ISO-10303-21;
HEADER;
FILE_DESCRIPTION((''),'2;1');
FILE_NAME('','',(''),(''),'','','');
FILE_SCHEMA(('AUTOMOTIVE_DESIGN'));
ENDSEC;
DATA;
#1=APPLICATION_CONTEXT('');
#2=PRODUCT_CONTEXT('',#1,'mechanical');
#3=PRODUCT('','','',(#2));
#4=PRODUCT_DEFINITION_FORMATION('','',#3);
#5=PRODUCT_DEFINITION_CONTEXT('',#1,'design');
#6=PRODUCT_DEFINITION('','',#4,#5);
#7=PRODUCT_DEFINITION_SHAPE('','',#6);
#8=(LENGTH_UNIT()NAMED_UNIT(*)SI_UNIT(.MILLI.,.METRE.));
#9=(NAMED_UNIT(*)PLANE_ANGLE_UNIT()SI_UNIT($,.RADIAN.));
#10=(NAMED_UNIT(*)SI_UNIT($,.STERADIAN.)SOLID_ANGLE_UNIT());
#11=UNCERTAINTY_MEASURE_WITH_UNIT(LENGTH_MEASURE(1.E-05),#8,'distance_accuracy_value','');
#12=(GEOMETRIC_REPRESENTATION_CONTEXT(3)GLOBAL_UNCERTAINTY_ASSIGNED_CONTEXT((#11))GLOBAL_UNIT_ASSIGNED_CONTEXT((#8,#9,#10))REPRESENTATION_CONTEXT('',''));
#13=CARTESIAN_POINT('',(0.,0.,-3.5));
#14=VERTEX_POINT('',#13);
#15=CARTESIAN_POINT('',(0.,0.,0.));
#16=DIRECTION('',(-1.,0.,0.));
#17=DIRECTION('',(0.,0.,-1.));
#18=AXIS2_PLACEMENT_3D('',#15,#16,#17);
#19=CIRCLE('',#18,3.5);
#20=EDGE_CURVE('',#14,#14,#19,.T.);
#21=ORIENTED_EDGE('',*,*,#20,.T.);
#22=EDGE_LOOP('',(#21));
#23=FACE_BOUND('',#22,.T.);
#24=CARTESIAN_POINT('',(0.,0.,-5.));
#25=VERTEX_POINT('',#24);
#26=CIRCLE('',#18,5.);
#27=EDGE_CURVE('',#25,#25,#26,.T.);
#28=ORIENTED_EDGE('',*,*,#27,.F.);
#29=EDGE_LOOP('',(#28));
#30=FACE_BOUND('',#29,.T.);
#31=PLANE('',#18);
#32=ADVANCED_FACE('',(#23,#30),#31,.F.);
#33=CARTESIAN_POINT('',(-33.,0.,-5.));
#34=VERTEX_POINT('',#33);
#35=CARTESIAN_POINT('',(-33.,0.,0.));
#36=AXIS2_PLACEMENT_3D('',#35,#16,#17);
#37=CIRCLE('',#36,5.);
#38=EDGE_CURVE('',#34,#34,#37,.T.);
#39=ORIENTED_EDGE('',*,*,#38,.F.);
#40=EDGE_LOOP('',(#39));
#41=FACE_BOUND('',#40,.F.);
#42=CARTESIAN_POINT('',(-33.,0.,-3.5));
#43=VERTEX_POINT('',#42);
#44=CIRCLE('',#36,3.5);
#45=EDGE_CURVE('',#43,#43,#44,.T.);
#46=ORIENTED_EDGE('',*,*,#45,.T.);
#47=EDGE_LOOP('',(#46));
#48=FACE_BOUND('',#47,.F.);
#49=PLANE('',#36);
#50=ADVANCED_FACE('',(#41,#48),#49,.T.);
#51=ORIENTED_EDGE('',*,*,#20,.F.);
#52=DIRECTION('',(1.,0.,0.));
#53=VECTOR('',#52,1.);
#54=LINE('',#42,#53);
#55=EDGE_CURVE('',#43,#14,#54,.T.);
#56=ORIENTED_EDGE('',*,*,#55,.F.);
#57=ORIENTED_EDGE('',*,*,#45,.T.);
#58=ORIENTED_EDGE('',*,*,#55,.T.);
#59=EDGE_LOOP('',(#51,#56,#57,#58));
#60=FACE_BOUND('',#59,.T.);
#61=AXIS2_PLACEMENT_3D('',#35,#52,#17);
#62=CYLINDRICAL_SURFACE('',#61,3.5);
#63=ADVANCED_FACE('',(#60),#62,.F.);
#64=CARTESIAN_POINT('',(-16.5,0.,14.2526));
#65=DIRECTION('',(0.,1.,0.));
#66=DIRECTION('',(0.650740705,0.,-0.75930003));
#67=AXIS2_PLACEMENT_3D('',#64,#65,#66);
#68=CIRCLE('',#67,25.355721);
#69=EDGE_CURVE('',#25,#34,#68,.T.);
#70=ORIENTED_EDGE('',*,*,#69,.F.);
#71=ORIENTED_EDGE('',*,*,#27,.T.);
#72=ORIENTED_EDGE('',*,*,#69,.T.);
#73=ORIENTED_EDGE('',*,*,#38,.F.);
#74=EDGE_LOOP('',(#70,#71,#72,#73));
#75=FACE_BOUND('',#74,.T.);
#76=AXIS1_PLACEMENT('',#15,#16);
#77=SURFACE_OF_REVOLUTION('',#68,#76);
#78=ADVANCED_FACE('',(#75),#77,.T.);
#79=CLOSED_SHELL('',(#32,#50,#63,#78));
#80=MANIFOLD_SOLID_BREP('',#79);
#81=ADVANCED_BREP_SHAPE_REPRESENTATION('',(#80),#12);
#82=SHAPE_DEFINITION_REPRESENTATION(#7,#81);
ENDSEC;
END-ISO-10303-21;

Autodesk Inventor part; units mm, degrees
ref_plane "YZ Plane" through (0, 0, 0) normal (1, 0, 0) x (0, 1, 0)
ref_plane "XZ Plane" through (0, 0, 0) normal (0, 1, 0) x (-1, 0, 0)
ref_plane "XY Plane" through (0, 0, 0) normal (0, 0, 1) x (1, 0, 0)
sketch "スケッチ1" plane through (0, 0, 0) normal (0, 1, 0) x (-1, 0, 0)
  line L0 (0, 0) -> (0, -3.5)
  line L1 (0, 0) -> (33, 0)
  line L2 (33, 0) -> (33, -3.5)
  line L3 (33, -3.5) -> (0, -3.5)
  line L4 (0, -3.5) -> (0, -5)
  line L5 (33, -3.5) -> (33, -5)
  arc A0 (0, -5) -> (33, -5) centre (16.5, 14.2526) ccw
  line L6 (0, 0) -> (0, -12)
  dimension "d0" = 3.5
  dimension "d1" = 33
  dimension "d2" = 1.5
  dimension "d4" = 12
  dimension "d5" = 1.5
revolve "回転1" add sketch "スケッチ1" angle 360 about axis through (0, 0, 0) along (-1, 0, 0) contours L3 L5 A0 L4
